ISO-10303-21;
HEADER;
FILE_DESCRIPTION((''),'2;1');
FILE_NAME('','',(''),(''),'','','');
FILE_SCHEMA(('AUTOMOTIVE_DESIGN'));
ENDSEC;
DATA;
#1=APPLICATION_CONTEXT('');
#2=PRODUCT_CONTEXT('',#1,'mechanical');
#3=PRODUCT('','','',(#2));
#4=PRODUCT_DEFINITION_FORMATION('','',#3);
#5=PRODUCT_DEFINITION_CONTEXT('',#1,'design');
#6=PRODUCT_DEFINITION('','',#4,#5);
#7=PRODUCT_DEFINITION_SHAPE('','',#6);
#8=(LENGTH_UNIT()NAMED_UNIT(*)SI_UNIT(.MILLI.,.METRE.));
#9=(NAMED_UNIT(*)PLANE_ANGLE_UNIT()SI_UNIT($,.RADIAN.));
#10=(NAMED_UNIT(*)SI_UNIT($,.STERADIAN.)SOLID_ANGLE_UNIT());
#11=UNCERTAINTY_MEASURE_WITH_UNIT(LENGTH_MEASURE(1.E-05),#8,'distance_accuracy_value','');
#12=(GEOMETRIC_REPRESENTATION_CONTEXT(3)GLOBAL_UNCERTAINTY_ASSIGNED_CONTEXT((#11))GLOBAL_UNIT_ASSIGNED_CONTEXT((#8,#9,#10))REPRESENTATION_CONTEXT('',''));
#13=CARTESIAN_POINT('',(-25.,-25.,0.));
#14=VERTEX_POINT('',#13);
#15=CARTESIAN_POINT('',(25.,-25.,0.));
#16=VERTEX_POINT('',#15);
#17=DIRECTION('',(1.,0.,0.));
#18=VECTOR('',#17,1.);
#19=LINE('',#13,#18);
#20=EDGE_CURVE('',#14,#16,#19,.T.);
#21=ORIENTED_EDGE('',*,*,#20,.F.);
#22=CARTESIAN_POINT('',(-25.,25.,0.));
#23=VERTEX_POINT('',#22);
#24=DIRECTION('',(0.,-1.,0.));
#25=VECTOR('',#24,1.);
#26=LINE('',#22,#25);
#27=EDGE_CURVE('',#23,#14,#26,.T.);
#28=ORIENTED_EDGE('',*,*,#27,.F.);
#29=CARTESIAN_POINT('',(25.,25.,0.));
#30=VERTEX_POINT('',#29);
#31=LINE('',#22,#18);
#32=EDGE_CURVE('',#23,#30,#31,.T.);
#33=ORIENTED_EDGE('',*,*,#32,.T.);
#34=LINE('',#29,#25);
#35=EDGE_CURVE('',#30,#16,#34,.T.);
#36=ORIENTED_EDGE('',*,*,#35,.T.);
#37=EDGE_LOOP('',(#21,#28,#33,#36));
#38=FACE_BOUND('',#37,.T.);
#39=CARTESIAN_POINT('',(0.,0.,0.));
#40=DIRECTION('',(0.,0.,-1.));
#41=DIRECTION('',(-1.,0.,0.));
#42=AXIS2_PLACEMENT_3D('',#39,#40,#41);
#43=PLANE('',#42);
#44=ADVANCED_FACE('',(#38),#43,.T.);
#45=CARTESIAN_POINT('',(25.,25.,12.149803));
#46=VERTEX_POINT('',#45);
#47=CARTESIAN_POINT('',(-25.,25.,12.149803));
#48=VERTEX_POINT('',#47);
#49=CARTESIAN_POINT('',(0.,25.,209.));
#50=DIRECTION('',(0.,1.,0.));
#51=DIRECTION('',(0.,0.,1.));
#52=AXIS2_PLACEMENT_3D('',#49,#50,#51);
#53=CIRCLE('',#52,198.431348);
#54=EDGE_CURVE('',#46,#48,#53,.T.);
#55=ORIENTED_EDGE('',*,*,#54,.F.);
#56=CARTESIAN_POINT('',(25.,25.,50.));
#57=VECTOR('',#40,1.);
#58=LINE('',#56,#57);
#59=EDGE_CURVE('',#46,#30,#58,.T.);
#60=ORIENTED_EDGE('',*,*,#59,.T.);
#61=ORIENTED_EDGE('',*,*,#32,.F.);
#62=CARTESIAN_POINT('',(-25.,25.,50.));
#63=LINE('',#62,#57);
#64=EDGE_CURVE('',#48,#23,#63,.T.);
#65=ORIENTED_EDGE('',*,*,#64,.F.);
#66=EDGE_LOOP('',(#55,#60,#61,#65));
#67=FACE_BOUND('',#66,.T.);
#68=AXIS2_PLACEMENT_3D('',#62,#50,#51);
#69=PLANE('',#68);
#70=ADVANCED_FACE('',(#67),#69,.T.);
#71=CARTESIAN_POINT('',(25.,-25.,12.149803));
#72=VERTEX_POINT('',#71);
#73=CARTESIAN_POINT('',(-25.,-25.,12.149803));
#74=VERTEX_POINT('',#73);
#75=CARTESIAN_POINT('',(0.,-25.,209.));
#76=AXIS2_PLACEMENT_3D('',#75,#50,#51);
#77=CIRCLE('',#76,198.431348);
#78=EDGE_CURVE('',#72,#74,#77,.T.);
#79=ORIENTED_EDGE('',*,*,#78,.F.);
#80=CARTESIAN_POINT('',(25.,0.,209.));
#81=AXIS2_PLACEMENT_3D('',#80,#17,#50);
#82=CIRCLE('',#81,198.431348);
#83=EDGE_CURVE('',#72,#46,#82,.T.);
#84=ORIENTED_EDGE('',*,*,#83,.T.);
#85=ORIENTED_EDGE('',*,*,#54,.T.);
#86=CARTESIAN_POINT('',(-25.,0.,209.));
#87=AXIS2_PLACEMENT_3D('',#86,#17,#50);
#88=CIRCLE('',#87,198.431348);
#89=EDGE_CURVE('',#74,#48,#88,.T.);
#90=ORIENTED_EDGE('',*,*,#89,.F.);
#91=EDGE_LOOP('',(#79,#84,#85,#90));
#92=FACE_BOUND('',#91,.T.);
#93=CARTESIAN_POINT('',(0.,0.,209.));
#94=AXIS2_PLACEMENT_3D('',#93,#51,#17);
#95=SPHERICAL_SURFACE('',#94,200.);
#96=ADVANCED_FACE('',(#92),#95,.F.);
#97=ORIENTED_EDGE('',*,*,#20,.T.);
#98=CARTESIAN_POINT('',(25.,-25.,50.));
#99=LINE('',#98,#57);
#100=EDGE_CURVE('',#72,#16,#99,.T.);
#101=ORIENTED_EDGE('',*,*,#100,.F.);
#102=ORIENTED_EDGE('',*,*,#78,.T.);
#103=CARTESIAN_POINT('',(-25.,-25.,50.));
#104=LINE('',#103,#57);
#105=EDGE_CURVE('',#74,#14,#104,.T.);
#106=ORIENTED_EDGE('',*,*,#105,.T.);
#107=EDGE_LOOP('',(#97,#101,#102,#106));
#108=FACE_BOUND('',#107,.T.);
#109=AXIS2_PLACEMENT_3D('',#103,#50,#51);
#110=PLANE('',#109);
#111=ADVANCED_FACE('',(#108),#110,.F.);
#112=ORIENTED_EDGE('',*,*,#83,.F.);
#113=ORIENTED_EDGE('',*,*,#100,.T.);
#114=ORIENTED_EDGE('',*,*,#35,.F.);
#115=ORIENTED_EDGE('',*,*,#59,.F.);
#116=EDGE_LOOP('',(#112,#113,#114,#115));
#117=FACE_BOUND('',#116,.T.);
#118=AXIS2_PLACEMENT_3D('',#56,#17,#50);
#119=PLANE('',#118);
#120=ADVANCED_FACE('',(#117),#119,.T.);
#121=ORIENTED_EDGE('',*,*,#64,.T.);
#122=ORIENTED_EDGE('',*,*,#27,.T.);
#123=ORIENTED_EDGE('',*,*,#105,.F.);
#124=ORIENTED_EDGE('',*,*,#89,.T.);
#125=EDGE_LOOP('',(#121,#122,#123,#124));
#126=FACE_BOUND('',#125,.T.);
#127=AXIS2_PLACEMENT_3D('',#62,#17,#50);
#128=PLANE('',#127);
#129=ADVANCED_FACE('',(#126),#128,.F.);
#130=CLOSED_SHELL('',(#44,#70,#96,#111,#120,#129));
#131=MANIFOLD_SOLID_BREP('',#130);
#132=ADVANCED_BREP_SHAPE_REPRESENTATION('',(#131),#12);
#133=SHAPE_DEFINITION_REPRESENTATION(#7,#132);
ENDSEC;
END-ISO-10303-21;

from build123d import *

# Parameters (mm, degrees)
SKETCH_1_W      = 50
SKETCH_1_H      = 50
EXTRUDE_1_DEPTH = 50


with BuildPart() as part:
    # 草图1 → 凸台-拉伸1 (new body)
    with BuildSketch(Plane.XY):
        Rectangle(SKETCH_1_W, SKETCH_1_H)
    extrude(amount=EXTRUDE_1_DEPTH)

    # 草图2 → 切除-旋转2 (revolve, cut)
    with BuildSketch(Plane(origin=(0, 0, 0), x_dir=(1, 0, 0), z_dir=(0, 1, 0))):
        with BuildLine():
            Line((194.969092363, -164.423627073), (0, -164.423627073))
            Line((0, -164.423627073), (0, -9))
            ThreePointArc((0, -9), (124.669012619, -52.610622827), (194.969092363, -164.423627073))
        make_face()
    revolve(axis=Axis((0, 0, 164.423627073), (0, 0, -1)), mode=Mode.SUBTRACT)


solid = part.part
